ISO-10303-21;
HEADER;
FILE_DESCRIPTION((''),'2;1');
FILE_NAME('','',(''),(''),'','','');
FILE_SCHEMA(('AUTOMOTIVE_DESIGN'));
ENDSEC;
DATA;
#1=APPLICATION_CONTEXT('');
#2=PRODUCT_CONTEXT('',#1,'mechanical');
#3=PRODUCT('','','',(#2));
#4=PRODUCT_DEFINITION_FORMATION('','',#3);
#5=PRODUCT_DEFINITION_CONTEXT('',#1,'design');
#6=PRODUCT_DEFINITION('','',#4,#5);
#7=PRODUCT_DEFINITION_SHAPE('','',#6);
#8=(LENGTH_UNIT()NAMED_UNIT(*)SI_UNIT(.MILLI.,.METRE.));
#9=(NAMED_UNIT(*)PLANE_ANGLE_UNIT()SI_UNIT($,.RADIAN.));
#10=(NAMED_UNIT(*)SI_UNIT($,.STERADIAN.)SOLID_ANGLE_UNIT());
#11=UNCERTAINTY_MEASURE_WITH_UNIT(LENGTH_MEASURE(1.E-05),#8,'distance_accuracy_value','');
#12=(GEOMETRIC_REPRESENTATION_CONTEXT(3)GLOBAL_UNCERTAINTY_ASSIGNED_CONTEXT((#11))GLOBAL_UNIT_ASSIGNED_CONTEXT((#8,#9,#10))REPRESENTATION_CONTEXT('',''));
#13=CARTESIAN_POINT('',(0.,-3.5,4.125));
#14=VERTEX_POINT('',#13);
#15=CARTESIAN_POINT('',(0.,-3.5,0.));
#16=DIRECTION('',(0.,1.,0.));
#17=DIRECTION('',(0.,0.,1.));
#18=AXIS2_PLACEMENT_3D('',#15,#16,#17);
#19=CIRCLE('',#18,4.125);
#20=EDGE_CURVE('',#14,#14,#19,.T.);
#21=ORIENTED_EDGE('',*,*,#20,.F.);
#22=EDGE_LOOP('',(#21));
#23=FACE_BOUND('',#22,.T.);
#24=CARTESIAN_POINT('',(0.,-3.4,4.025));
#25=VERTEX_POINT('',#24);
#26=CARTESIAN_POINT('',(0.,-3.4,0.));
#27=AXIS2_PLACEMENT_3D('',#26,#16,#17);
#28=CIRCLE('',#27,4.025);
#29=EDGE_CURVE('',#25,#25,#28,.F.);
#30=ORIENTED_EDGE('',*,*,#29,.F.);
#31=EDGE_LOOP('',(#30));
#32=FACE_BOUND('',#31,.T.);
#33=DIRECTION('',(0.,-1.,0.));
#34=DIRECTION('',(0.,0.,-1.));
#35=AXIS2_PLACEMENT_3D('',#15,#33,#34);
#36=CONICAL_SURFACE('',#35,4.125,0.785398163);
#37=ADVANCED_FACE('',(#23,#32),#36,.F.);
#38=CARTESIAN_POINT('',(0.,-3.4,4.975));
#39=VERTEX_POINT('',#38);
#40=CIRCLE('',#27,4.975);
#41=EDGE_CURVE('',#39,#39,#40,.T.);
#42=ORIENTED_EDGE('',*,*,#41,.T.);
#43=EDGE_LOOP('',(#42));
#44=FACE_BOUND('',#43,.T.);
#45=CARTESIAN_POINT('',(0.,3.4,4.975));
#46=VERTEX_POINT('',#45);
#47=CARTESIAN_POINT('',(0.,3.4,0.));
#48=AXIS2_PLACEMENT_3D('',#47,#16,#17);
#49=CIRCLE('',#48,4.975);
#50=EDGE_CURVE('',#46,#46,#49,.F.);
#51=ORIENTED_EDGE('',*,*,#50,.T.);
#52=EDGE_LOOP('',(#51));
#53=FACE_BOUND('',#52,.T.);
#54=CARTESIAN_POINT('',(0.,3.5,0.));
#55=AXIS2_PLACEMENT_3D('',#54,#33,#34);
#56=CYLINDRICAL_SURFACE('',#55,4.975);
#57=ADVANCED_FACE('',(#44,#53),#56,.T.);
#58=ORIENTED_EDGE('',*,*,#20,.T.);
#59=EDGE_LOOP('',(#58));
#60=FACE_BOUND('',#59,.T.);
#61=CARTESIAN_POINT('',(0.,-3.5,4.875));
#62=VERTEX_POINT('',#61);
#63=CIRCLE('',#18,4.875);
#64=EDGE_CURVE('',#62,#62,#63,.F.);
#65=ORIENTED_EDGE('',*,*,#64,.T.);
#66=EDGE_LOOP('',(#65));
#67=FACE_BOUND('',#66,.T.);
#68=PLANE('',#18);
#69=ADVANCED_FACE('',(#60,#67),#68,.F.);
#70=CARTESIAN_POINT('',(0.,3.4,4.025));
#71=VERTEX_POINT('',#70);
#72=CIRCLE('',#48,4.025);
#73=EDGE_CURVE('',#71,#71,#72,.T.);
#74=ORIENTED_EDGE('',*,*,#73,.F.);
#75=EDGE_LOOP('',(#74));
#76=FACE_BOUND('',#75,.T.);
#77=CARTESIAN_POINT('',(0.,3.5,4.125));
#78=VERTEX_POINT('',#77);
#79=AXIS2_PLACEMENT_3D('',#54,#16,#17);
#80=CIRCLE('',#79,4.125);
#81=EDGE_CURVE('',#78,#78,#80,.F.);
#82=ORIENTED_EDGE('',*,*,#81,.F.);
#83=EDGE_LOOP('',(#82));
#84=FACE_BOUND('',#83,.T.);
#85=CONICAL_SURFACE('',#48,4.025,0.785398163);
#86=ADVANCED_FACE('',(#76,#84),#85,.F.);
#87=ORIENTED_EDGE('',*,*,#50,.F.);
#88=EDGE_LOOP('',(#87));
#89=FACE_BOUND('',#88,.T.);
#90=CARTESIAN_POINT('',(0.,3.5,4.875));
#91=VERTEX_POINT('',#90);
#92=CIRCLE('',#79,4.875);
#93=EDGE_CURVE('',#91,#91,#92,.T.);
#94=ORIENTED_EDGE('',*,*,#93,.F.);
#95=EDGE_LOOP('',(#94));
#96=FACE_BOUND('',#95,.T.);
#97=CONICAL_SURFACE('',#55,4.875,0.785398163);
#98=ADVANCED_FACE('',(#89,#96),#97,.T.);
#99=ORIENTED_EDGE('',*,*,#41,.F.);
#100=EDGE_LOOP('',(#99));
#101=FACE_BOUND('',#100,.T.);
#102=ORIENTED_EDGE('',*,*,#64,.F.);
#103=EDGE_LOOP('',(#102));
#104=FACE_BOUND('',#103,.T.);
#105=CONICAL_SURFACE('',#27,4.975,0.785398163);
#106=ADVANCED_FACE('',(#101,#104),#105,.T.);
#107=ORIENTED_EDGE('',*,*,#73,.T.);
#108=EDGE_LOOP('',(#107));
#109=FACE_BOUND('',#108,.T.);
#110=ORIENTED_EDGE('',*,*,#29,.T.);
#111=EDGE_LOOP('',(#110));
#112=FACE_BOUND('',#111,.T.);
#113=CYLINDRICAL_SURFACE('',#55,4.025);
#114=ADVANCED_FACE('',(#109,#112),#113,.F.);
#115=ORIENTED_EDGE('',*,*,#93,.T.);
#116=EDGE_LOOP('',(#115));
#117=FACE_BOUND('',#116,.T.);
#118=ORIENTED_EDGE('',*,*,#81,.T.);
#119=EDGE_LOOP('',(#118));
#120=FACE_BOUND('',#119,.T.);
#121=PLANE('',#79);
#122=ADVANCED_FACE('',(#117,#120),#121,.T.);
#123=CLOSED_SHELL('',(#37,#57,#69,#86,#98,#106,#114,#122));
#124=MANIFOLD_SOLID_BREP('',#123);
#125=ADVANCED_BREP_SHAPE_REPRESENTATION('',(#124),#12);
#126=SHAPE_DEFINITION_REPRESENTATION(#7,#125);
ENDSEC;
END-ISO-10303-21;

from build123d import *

# Parameters (mm, degrees)
SKETCH1_R           = 4.975
SKETCH1_R_2         = 4.025
BOSS_EXTRUDE1_DEPTH = 3.5
CHAMFER1_SIZE       = 0.1


with BuildPart() as part:
    # Sketch1 → Boss-Extrude1 (new body, symmetric)
    with BuildSketch(Plane(origin=(0, 0, 0), x_dir=(1, 0, 0), z_dir=(0, 1, 0))):
        Circle(SKETCH1_R)
        Circle(SKETCH1_R_2, mode=Mode.SUBTRACT)
    extrude(amount=BOSS_EXTRUDE1_DEPTH, both=True)

    # Chamfer1
    chamfer1_edges = [part.edges().sort_by_distance(p)[0] for p in [
        (-4.975, -3.5, 0),
        (-4.975, 3.5, 0),
        (-4.025, -3.5, 0),
        (-4.025, 3.5, 0),
    ]]
    chamfer(chamfer1_edges, length=CHAMFER1_SIZE)


solid = part.part
